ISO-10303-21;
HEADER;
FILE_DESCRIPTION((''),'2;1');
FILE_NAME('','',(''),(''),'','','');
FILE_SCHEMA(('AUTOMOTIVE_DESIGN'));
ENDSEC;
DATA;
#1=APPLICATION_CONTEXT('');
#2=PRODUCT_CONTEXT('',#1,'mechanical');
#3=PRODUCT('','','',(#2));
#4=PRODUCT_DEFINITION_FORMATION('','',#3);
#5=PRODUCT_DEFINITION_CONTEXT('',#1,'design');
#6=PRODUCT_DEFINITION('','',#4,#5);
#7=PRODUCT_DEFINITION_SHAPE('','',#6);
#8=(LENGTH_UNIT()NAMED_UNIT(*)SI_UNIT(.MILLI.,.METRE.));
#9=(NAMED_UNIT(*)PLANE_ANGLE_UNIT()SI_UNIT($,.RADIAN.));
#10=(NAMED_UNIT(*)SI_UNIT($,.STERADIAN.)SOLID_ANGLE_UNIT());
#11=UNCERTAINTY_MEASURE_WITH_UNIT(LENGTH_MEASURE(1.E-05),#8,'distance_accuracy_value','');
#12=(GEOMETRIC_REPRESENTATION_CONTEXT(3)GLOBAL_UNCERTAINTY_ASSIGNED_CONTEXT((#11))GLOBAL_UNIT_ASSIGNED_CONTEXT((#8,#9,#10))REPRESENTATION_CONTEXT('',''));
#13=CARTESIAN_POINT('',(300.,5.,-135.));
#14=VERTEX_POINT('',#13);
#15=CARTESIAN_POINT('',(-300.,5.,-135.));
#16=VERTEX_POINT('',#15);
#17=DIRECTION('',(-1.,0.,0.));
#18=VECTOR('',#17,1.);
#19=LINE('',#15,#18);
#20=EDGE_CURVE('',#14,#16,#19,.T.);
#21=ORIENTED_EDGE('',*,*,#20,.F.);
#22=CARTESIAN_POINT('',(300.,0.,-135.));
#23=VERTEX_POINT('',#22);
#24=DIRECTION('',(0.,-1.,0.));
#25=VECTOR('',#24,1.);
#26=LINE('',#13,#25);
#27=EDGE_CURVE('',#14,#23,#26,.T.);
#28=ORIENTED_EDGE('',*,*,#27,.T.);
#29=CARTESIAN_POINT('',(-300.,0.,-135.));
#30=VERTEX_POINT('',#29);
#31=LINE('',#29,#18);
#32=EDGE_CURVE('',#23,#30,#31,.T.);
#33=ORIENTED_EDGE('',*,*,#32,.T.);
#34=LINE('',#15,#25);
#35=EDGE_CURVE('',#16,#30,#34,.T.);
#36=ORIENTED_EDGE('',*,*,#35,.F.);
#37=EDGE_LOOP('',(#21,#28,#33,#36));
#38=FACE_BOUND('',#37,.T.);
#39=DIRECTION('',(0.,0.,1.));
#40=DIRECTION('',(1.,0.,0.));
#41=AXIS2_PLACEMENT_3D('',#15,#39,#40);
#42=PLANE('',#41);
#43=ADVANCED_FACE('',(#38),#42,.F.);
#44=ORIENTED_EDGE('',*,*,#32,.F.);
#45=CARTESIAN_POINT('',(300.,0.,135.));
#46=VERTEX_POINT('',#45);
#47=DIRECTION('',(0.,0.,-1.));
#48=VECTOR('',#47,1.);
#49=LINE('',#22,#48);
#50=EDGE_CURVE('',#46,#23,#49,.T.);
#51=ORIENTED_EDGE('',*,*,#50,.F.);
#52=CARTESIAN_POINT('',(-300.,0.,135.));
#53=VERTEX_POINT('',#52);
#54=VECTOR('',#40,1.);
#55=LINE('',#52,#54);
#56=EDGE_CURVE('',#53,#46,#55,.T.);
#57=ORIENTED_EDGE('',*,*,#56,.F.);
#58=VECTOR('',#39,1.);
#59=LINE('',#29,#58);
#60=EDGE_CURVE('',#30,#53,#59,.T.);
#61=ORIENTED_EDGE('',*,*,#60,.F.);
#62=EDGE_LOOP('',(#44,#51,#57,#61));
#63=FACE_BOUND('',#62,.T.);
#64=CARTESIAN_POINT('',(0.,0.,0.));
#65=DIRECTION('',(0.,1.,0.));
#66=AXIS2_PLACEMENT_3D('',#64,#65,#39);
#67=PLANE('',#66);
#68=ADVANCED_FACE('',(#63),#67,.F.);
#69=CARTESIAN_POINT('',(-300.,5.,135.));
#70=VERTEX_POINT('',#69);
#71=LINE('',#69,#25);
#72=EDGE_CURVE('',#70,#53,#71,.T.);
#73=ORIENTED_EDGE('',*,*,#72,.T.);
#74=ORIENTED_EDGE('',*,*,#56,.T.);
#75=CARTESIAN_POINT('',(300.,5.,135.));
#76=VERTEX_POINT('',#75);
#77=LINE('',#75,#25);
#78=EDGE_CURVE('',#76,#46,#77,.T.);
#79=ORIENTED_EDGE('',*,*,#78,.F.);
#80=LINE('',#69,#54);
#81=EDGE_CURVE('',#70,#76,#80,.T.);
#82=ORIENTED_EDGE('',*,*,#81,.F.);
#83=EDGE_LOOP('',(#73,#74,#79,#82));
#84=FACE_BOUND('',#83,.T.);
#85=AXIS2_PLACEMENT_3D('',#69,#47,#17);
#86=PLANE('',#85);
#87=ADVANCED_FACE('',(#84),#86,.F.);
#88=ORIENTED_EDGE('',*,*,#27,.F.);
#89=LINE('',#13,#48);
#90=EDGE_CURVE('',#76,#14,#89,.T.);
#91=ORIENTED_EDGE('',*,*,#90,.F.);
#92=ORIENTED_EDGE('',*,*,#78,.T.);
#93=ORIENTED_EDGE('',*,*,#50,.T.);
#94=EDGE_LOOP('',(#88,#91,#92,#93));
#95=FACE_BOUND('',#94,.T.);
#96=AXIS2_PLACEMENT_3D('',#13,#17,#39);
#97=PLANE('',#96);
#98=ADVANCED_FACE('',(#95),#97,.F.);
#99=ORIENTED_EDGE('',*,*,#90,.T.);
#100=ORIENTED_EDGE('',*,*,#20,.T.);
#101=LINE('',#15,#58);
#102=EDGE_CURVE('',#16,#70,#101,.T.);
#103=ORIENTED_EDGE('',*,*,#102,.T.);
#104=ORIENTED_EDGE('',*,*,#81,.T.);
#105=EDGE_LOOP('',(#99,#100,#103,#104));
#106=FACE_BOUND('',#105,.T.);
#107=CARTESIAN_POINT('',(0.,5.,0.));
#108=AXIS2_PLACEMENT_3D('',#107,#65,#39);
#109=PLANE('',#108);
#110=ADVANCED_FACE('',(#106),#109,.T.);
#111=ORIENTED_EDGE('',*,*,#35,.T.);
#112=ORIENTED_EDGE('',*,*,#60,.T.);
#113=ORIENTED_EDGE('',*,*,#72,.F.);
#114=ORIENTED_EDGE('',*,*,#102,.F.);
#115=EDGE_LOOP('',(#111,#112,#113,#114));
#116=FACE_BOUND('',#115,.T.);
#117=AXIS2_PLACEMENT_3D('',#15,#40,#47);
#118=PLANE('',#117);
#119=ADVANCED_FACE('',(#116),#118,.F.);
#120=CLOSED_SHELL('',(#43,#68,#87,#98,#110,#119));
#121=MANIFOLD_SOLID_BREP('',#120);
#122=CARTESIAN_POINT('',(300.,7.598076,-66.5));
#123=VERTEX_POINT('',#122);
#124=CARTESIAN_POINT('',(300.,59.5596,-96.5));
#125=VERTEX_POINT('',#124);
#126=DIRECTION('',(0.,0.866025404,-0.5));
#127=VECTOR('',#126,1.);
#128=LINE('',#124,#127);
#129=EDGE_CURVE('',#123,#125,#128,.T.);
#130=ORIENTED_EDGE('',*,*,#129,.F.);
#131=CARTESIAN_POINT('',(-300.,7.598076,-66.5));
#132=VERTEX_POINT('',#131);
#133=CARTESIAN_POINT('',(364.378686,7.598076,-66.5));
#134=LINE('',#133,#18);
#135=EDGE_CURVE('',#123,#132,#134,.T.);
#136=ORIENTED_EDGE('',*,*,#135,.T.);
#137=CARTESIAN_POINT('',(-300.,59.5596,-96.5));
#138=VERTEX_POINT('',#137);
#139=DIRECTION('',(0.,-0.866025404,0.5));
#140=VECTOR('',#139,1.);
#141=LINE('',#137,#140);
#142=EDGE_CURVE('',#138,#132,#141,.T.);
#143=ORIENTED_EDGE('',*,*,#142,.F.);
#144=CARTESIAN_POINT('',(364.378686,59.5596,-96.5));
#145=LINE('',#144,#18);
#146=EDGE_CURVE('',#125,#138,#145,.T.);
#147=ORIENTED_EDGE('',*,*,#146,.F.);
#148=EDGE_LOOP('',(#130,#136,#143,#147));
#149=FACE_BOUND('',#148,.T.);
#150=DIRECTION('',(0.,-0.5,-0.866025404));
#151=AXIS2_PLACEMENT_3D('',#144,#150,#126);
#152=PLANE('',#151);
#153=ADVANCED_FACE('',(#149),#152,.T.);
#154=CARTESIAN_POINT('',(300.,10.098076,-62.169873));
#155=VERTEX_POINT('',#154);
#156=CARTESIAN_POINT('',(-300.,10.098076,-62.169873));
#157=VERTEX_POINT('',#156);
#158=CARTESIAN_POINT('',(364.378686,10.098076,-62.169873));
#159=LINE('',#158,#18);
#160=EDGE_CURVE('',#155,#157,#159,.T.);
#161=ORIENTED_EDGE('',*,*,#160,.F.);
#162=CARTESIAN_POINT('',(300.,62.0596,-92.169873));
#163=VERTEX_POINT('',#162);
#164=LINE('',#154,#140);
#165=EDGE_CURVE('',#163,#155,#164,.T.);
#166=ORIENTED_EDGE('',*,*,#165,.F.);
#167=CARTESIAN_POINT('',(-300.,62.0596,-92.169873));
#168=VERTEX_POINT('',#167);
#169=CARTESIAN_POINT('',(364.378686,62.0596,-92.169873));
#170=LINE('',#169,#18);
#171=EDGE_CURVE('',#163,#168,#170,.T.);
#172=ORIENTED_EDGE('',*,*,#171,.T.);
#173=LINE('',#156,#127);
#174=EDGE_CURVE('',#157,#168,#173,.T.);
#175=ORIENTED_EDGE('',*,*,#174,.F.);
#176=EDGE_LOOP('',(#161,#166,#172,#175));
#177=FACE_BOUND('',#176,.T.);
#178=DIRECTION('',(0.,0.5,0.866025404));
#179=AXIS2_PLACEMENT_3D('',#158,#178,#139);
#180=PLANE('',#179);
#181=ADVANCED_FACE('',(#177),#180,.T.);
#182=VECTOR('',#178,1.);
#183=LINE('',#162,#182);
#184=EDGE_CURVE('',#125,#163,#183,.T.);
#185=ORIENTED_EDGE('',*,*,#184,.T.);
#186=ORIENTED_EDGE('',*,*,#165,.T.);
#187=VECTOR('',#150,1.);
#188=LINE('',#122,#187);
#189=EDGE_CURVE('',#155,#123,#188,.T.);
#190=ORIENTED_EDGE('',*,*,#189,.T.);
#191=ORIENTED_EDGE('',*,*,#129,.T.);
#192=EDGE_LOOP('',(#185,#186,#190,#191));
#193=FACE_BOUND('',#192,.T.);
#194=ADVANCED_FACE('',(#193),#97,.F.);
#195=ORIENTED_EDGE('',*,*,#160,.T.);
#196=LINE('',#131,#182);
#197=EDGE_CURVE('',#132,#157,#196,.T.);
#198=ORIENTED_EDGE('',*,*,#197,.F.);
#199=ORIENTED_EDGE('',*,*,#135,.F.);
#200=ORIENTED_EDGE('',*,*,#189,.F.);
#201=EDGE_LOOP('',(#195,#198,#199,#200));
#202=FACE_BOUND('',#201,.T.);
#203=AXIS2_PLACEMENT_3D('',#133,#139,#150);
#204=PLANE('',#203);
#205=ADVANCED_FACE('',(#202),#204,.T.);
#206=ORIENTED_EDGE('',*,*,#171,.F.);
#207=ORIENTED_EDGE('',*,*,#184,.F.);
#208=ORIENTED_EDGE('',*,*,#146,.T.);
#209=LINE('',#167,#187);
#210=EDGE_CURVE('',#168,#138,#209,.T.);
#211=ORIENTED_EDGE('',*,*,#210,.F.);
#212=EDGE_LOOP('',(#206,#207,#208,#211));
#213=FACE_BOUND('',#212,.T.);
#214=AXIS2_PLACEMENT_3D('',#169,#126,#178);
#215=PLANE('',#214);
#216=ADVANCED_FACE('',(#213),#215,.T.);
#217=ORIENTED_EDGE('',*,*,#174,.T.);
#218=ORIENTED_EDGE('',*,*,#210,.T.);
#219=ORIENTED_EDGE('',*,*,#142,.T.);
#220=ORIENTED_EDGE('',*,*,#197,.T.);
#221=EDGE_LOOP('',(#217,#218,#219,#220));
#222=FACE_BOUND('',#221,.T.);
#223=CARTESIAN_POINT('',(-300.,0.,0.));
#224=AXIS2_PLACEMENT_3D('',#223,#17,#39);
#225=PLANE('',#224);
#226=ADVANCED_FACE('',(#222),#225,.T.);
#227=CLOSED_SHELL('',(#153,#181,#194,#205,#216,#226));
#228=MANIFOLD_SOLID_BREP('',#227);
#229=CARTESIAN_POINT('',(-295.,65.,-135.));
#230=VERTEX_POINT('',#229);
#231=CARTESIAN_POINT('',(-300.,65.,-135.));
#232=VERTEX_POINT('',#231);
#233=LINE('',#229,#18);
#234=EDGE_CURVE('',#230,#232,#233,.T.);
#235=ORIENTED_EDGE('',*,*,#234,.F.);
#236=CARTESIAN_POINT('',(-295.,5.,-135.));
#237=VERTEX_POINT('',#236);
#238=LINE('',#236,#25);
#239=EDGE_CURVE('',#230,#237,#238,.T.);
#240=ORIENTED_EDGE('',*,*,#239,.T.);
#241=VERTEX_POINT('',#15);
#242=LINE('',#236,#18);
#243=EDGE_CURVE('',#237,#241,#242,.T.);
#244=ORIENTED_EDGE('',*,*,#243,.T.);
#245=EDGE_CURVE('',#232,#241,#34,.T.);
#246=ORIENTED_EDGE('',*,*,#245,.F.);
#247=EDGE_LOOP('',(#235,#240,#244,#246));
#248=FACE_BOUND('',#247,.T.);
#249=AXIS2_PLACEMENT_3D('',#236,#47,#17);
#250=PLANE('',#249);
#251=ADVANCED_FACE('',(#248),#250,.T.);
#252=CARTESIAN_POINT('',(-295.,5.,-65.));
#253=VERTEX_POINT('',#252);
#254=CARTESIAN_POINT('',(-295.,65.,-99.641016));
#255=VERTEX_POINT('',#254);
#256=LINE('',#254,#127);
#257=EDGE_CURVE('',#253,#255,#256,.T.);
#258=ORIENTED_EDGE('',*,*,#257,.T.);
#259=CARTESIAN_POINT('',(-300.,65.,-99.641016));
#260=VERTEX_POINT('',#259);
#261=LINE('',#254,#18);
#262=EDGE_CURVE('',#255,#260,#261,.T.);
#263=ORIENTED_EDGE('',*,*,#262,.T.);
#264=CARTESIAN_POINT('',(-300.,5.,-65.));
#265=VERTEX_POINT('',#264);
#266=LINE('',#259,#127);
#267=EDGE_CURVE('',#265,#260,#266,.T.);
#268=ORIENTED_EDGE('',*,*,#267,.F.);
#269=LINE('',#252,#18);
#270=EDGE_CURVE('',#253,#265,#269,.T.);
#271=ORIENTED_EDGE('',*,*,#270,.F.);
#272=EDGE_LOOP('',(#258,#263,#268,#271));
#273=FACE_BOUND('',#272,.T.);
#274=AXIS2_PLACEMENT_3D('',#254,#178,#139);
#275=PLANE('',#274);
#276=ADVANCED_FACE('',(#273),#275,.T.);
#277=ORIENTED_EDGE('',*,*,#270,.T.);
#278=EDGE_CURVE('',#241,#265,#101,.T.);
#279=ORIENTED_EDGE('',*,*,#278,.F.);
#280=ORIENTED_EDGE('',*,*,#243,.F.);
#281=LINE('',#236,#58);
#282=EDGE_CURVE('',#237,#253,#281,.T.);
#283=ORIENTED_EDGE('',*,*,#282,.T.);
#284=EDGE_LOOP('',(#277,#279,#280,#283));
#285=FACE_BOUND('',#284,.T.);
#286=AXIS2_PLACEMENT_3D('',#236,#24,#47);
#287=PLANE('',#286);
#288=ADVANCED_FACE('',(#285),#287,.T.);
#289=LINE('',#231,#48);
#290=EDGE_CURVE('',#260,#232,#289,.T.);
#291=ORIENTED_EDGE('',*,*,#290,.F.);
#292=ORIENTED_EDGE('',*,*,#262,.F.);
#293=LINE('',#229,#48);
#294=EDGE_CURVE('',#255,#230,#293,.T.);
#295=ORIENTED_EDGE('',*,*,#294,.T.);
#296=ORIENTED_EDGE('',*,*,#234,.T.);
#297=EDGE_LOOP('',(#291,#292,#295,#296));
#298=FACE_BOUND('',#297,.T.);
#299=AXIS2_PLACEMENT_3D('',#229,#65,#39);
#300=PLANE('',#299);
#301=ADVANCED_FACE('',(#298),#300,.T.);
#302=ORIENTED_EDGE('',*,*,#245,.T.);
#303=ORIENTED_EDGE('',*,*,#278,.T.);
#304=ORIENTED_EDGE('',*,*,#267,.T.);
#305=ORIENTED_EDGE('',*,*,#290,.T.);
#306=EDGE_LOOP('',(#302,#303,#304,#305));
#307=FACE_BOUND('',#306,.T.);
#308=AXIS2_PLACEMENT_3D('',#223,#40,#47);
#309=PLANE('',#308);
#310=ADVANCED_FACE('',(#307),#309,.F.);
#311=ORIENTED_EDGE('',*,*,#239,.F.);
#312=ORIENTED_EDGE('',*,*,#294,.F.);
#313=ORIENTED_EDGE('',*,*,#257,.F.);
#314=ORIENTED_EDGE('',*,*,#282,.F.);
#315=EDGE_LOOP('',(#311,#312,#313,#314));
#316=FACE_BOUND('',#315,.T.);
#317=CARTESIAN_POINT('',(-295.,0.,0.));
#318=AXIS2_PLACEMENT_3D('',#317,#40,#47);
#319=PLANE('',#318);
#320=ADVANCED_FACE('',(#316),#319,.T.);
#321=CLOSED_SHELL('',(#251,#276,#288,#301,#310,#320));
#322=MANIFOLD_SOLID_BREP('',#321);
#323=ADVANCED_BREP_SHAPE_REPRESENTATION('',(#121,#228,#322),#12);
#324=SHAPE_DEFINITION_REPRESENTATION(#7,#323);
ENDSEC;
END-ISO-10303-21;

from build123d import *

# Parameters (mm, degrees)
SKETCH1_W           = 600
SKETCH1_H           = 270
BOSS_EXTRUDE1_DEPTH = 5
BOSS_EXTRUDE2_DEPTH = 5
BOSS_EXTRUDE4_DEPTH = 600


with BuildPart() as part:
    # Sketch1 → Boss-Extrude1 (new body)
    with BuildSketch(Plane(origin=(0, 0, 0), x_dir=(1, 0, 0), z_dir=(0, 1, 0))):
        Rectangle(SKETCH1_W, SKETCH1_H)
    extrude(amount=BOSS_EXTRUDE1_DEPTH)


with BuildPart() as body_2:
    # Sketch2 → Boss-Extrude2 (new body)
    with BuildSketch(Plane.ZY.offset(300)):
        Polygon((-99.641016151, 65), (-65, 5), (-135, 5), (-135, 65), align=None)
    extrude(amount=-BOSS_EXTRUDE2_DEPTH)


with BuildPart() as body_3:
    # Sketch3 → Boss-Extrude4 (new body)
    with BuildSketch(Plane.ZY.offset(300)):
        Polygon((-96.5, 59.559600438), (-66.5, 7.598076211), (-62.169872981, 10.098076211), (-92.169872981, 62.059600438), align=None)
    extrude(amount=-BOSS_EXTRUDE4_DEPTH)


solid = Compound([part.part, body_2.part, body_3.part])
